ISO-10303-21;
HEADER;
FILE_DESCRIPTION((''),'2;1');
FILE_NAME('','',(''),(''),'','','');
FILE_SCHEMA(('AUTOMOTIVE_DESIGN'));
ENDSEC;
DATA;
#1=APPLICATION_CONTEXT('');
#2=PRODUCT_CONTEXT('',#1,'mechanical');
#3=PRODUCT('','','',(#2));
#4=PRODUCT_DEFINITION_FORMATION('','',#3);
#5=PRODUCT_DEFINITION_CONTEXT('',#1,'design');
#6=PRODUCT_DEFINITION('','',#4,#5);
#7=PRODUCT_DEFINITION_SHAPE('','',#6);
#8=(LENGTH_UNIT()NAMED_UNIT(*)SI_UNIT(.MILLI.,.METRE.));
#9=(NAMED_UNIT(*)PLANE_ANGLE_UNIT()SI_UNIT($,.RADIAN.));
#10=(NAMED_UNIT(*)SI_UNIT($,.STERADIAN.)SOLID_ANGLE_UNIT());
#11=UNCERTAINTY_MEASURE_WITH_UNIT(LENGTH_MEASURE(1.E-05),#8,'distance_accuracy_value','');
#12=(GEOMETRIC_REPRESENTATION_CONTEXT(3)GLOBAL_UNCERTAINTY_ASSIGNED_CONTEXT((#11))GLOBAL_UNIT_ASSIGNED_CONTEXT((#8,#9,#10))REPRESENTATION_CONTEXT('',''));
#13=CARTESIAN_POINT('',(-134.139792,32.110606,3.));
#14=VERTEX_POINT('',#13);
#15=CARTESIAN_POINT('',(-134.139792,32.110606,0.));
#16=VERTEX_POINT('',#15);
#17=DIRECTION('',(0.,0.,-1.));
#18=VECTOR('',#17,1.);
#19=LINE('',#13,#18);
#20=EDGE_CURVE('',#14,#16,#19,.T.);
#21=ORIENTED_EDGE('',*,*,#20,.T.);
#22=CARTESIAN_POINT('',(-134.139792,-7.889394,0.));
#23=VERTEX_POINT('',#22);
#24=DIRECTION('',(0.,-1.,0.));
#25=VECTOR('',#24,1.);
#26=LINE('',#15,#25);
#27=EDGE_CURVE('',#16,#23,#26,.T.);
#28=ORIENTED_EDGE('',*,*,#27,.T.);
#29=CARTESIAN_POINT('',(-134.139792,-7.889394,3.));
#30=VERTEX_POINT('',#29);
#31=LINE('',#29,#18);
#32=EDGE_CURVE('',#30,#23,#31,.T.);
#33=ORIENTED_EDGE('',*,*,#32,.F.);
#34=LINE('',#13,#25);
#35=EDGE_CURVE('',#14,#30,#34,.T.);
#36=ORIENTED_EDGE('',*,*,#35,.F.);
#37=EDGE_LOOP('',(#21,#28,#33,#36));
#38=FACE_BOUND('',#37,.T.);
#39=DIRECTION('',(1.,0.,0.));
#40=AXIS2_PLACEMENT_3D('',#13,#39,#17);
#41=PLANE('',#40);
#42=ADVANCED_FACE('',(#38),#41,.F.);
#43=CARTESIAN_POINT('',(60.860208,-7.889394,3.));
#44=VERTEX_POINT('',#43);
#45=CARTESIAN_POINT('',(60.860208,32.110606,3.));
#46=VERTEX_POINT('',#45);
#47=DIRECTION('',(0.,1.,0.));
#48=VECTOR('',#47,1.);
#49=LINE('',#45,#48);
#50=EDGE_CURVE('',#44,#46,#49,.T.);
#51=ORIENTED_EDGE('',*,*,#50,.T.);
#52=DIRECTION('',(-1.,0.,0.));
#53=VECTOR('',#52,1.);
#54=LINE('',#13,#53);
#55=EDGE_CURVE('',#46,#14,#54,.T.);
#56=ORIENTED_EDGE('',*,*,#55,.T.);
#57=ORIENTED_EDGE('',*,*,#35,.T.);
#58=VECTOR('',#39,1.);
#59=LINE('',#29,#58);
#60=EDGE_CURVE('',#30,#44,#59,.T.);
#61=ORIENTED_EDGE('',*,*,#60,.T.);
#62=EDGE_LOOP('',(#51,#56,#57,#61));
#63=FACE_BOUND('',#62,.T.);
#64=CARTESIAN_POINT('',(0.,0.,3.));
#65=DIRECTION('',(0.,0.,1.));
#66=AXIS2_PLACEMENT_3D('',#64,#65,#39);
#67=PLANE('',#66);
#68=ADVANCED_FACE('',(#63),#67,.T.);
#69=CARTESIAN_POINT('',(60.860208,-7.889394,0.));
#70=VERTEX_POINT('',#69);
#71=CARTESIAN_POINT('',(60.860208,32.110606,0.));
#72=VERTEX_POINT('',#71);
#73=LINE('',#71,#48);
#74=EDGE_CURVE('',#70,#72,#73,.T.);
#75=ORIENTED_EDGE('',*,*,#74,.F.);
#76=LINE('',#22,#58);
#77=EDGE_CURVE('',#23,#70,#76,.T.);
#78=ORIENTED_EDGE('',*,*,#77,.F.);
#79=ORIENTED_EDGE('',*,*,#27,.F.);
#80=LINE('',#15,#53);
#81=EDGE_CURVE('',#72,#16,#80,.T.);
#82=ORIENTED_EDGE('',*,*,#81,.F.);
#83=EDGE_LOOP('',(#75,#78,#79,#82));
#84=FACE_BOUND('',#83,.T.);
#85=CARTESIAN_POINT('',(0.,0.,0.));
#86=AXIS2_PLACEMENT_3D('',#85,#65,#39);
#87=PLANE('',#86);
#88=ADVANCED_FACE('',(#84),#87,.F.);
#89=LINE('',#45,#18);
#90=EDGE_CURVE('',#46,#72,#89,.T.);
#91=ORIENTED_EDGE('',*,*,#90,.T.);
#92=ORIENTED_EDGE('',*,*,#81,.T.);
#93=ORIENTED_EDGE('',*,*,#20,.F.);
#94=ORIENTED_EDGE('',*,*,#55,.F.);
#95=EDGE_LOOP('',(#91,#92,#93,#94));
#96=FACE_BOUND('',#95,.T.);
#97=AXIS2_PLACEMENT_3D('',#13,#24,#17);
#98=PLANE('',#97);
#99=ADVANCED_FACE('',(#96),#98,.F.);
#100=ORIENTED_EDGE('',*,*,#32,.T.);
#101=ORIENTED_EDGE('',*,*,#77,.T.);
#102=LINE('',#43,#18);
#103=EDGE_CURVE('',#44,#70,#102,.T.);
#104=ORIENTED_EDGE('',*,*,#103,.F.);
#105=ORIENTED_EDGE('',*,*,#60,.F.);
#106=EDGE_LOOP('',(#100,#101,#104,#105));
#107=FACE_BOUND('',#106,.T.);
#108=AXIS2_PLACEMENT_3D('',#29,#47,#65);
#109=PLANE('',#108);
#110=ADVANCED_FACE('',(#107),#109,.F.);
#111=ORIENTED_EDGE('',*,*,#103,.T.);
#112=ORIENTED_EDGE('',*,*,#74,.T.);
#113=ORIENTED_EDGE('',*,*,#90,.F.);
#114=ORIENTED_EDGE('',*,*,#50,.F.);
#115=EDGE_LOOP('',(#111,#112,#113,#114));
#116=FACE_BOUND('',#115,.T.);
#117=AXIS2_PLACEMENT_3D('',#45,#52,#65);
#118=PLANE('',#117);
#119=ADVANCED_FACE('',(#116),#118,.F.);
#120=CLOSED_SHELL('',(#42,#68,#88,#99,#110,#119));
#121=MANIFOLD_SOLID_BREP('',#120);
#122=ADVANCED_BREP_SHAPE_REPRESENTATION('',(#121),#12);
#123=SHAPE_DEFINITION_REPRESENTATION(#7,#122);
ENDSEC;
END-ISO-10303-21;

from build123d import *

# Parameters (mm, degrees)
ESQUISSE1_W        = 195
ESQUISSE1_H        = 40
BOSS_EXTRU_1_DEPTH = 3


with BuildPart() as part:
    # Esquisse1 → Boss.-Extru.1 (new body)
    with BuildSketch(Plane.XY):
        with Locations((-36.639791906, 12.110606061)):
            Rectangle(ESQUISSE1_W, ESQUISSE1_H)
    extrude(amount=BOSS_EXTRU_1_DEPTH)


solid = part.part
